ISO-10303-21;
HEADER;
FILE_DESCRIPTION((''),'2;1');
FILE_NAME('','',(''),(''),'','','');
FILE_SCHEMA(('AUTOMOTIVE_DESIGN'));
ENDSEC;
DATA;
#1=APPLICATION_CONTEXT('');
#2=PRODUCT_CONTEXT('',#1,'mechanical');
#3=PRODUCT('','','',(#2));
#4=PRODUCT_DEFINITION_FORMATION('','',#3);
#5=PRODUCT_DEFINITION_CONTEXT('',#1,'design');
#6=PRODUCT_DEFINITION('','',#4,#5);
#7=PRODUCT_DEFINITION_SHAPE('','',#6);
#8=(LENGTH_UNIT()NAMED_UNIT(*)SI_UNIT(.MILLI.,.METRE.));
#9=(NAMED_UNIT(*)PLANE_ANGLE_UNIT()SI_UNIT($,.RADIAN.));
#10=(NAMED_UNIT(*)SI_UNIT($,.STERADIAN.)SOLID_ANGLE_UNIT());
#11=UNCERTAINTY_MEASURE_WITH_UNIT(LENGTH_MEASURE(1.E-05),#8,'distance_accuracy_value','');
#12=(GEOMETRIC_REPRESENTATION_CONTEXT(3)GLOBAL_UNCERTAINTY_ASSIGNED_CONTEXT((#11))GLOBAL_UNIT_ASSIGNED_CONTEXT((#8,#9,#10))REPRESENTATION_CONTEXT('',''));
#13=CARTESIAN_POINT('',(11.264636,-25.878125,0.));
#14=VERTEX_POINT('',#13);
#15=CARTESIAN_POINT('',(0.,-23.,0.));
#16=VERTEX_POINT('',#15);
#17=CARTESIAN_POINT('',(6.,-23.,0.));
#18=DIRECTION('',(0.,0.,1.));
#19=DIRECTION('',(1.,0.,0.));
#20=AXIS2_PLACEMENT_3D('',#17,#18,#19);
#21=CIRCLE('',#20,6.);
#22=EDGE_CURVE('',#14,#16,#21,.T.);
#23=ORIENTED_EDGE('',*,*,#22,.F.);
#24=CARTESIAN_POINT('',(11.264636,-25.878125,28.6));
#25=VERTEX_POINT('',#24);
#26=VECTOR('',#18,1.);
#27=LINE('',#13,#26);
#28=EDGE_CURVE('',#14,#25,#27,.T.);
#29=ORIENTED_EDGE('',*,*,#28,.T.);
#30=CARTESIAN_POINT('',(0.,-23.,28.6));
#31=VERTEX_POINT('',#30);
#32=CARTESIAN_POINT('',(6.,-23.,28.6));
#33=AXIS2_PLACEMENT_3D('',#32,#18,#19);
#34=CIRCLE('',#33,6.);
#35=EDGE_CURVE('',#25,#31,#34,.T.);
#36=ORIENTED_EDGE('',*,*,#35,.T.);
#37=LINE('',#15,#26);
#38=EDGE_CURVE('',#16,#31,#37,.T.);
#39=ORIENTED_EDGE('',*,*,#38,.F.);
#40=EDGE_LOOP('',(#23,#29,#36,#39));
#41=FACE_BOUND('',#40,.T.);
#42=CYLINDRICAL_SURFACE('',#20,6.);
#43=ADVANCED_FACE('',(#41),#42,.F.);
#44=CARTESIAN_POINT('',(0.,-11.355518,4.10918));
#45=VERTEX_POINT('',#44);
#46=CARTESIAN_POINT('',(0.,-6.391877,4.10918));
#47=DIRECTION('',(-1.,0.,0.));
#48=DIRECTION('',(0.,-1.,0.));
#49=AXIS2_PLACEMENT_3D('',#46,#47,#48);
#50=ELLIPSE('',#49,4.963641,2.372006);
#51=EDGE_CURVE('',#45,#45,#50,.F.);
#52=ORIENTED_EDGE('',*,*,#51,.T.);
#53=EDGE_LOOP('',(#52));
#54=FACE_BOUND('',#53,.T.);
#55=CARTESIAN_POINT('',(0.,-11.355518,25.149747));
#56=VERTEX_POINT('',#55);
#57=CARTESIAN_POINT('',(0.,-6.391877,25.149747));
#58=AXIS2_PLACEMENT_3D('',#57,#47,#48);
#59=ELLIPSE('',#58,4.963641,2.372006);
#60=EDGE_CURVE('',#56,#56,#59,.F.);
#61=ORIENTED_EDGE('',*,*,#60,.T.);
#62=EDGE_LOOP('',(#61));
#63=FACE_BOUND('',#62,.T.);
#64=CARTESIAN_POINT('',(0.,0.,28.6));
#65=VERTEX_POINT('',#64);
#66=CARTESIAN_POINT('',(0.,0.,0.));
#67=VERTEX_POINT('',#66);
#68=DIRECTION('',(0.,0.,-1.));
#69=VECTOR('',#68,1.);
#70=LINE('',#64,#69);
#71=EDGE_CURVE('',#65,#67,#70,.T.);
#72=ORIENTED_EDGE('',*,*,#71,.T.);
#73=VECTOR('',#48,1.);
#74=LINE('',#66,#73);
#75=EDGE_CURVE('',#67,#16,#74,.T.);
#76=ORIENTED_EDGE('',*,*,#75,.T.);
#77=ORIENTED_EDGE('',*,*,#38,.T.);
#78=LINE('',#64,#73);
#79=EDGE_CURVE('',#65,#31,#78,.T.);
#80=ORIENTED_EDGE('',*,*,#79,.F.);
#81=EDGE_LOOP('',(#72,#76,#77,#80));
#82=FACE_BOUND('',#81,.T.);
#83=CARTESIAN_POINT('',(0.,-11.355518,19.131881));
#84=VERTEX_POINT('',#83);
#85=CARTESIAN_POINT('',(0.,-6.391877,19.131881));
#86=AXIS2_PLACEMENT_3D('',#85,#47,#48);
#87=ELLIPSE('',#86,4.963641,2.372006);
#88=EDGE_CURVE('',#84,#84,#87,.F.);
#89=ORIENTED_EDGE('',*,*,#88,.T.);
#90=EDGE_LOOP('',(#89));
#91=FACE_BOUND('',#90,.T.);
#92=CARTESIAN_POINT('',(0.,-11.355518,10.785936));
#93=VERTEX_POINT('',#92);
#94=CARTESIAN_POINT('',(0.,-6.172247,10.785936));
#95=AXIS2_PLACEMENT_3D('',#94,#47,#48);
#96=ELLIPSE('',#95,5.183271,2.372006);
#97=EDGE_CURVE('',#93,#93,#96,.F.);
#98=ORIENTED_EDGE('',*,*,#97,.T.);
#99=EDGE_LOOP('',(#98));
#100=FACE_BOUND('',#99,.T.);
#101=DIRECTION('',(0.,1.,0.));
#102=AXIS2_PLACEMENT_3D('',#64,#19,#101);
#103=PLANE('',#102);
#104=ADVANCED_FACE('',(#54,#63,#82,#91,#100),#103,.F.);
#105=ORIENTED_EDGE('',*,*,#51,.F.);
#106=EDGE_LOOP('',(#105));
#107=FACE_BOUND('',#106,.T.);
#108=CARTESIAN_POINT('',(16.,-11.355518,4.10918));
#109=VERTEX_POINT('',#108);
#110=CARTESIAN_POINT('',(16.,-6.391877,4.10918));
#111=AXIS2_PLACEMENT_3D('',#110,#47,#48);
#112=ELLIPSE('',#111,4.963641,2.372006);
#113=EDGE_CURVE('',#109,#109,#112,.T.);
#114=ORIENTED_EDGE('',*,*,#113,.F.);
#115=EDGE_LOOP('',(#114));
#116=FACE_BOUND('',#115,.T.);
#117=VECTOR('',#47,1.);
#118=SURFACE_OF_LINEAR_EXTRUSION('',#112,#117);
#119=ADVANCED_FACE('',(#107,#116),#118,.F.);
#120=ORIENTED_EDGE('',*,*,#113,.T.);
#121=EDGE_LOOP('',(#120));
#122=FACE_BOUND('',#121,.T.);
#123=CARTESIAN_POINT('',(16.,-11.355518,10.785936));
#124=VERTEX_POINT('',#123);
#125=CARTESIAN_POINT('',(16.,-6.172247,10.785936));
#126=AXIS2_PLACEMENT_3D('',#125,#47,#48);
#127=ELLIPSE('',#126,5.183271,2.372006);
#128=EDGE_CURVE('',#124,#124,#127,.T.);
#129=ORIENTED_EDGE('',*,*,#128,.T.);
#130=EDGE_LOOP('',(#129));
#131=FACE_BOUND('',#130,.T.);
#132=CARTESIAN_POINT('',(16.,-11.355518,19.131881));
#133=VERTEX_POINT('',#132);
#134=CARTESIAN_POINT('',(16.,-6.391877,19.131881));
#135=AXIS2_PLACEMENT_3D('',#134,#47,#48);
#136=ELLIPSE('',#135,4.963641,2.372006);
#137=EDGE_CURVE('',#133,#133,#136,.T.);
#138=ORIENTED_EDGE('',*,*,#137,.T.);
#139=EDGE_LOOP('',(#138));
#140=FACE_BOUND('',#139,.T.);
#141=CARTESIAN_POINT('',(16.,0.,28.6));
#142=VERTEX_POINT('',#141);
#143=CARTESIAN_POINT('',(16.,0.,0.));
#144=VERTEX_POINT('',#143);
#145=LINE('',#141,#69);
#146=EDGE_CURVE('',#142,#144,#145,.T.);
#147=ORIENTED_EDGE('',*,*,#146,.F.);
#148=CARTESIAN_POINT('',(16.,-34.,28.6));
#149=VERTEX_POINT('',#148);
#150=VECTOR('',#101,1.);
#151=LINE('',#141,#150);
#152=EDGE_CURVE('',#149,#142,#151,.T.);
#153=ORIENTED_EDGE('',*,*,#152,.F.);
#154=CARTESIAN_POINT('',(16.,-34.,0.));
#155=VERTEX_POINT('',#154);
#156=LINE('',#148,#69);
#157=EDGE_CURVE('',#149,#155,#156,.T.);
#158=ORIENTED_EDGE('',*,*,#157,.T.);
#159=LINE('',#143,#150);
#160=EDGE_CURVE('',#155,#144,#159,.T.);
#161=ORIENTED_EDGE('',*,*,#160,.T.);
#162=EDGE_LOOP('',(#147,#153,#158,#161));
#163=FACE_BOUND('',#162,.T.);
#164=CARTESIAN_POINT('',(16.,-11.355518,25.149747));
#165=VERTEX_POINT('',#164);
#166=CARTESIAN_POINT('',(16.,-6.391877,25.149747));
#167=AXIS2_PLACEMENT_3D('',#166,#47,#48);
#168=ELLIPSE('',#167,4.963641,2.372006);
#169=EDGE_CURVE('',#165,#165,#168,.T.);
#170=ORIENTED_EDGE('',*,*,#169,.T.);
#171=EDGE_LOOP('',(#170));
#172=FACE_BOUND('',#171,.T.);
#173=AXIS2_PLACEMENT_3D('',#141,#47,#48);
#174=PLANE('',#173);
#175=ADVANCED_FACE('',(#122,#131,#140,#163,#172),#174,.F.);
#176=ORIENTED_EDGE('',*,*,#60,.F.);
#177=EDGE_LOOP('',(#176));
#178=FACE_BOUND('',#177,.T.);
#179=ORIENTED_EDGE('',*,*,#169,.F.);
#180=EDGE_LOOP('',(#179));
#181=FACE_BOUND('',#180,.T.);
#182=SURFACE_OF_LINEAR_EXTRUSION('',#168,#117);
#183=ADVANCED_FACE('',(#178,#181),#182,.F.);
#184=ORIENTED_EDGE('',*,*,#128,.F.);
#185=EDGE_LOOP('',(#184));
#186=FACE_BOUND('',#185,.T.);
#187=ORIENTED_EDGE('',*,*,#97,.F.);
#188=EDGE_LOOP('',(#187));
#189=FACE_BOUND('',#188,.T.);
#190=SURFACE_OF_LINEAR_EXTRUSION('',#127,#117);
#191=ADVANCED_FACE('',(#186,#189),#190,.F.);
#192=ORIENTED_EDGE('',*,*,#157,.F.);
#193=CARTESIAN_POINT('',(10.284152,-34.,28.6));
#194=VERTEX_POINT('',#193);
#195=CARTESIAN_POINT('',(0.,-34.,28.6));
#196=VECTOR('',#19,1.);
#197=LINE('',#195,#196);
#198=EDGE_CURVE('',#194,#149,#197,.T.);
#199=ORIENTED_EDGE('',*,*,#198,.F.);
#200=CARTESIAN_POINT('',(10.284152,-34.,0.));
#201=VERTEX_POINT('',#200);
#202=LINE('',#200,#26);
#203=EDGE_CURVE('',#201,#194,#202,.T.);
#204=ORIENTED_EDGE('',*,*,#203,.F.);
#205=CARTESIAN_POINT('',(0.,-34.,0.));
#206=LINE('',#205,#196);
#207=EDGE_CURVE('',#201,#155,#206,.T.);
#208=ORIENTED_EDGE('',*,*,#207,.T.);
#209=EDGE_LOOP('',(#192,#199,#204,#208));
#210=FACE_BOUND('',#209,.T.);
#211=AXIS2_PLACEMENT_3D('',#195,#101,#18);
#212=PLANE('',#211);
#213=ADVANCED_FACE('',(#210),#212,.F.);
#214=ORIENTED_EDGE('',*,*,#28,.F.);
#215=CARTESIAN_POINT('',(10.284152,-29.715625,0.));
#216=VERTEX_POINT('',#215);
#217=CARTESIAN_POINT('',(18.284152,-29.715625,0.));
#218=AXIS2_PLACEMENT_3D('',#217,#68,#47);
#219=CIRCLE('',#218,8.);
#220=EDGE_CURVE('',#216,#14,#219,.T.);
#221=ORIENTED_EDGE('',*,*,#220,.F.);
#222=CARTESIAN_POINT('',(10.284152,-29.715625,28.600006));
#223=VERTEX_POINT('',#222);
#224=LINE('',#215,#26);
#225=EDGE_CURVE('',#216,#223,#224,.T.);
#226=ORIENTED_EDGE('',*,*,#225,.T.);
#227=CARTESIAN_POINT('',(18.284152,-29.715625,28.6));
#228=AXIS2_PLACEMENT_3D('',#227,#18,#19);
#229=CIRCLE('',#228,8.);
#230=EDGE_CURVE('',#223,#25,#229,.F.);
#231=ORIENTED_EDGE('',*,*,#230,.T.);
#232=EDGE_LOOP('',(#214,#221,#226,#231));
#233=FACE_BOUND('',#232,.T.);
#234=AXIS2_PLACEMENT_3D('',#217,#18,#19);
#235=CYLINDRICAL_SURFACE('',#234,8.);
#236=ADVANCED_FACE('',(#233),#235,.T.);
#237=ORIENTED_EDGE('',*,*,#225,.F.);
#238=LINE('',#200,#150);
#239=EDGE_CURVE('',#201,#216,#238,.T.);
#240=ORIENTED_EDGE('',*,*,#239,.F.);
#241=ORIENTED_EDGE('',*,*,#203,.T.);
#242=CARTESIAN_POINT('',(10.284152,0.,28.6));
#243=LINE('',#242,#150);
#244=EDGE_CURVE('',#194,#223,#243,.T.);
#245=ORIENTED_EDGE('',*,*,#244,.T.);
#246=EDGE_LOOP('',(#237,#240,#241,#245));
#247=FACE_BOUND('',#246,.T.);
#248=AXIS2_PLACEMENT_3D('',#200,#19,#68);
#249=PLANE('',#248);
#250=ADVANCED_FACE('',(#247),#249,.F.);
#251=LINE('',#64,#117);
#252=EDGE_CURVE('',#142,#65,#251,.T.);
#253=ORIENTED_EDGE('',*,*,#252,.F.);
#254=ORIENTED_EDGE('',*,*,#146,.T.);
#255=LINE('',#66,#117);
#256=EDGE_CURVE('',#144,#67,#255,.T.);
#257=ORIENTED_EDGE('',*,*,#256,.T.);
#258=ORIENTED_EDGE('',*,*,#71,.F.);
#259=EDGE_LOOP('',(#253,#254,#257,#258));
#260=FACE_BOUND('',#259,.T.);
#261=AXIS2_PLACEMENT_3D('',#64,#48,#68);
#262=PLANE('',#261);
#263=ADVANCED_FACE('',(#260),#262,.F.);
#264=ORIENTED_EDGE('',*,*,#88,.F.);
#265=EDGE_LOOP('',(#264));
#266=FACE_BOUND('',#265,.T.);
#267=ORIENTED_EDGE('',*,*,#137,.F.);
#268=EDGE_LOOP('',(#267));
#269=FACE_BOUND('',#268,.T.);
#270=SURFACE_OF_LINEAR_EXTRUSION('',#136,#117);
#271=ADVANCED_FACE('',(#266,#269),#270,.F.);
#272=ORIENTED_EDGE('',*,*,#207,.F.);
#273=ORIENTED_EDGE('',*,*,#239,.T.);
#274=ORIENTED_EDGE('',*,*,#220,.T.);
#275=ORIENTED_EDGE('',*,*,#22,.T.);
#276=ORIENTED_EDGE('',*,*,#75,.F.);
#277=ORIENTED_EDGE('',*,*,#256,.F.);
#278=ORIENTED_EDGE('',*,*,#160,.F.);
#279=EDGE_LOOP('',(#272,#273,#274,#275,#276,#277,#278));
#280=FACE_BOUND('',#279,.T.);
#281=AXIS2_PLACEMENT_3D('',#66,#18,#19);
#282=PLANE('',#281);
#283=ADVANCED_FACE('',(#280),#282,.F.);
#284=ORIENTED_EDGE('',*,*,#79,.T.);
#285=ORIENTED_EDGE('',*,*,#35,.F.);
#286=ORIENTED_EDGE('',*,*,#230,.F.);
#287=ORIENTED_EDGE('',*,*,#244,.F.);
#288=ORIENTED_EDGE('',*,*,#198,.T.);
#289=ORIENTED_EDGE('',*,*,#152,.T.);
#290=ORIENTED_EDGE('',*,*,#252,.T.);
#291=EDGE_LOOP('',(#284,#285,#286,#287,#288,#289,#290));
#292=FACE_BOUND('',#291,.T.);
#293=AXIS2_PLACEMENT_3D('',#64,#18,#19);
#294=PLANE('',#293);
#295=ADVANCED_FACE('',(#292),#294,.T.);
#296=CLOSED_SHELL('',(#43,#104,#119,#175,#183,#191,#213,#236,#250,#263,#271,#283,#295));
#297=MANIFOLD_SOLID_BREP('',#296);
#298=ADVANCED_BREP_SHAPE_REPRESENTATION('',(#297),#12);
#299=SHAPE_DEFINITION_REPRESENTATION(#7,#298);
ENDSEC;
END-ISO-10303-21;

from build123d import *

# Parameters (mm, degrees)
SKETCH_1_W               = 16
SKETCH_1_H               = 34
EXTRUDE_1_DEPTH          = 28.6
CUT_EXTRUDE_3_DEPTH      = 48.222452287
CUT_EXTRUDE_3_DEPTH_BACK = 48.222452287
SKETCH_5_W               = 28.6
SKETCH_5_H               = 11
CUT_EXTRUDE_4_DEPTH      = 2
CUT_EXTRUDE_5_DEPTH      = 48.222452287
CUT_EXTRUDE_5_DEPTH_BACK = 48.222452287
SKETCH_9_RX              = 4.963641166
SKETCH_9_RY              = 2.372005513
CUT_EXTRUDE_6_DEPTH      = 48.222452453
CUT_EXTRUDE_6_DEPTH_BACK = 48.222452453
SKETCH_9_3_RX            = 4.963641166
SKETCH_9_3_RY            = 2.372005513
SKETCH_9_3_RX_2          = 5.183271306


with BuildPart() as part:
    # 草图1 → 凸台-拉伸1 (new body)
    with BuildSketch(Plane.XY):
        with Locations((8, -17)):
            Rectangle(SKETCH_1_W, SKETCH_1_H)
    extrude(amount=EXTRUDE_1_DEPTH)

    # 草图2 → 切除-拉伸3 (cut, two sides: drawn at the far end of the back side and taken through both)
    with BuildSketch(Plane.XY.offset(28.6).offset(-CUT_EXTRUDE_3_DEPTH_BACK)):
        with BuildLine():
            Line((10.284151777, -34), (10.284151777, -29.7156247))
            ThreePointArc((10.284151777, -29.7156247), (10.533147893, -27.735236154), (11.264636476, -25.878124872))
            ThreePointArc((11.264636476, -25.878124872), (7.278286447, -17.137749258), (0.015079207, -23.4251154))
            Line((0.015079207, -23.4251154), (0, -34))
            Line((0, -34), (10.284151777, -34))
        make_face()
    extrude(amount=CUT_EXTRUDE_3_DEPTH + CUT_EXTRUDE_3_DEPTH_BACK, mode=Mode.SUBTRACT)


with BuildPart() as cut_extrude_3_piece_1:
    # of the separate pieces the step leaves, piece 1, a body of its own (cut_extrude_3_pieces)
    add(part.part.solids().sort_by_distance((0, 0, 0))[0])

    # 草图9 → 切除-拉伸5 (cut, two sides: drawn at the far end of the back side and taken through both)
    with BuildSketch(Plane.ZY.offset(-CUT_EXTRUDE_5_DEPTH_BACK)):
        with Locations(Location((4.109179501, -6.391876735), (0, 0, -90))):
            Ellipse(SKETCH_9_RX, SKETCH_9_RY)
    extrude(amount=CUT_EXTRUDE_5_DEPTH + CUT_EXTRUDE_5_DEPTH_BACK, mode=Mode.SUBTRACT)

    # 草图9<3> → 切除-拉伸6 (cut, two sides: drawn at the far end of the back side and taken through both)
    with BuildSketch(Plane.ZY.offset(-CUT_EXTRUDE_6_DEPTH_BACK)):
        with Locations(Location((4.109179501, -6.391876735), (0, 0, -90))):
            Ellipse(SKETCH_9_3_RX, SKETCH_9_3_RY)
        with Locations(Location((10.785935759, -6.172246595), (0, 0, 90))):
            Ellipse(SKETCH_9_3_RX_2, SKETCH_9_3_RY)
        with Locations(Location((19.131881081, -6.391876735), (0, 0, -90))):
            Ellipse(SKETCH_9_3_RX, SKETCH_9_3_RY)
        with Locations(Location((25.149746919, -6.391876735), (0, 0, -90))):
            Ellipse(SKETCH_9_3_RX, SKETCH_9_3_RY)
    extrude(amount=CUT_EXTRUDE_6_DEPTH + CUT_EXTRUDE_6_DEPTH_BACK, mode=Mode.SUBTRACT)


with BuildPart() as cut_extrude_3_piece_2:
    # of the separate pieces the step leaves, piece 2, a body of its own (cut_extrude_3_pieces)
    add(part.part.solids().sort_by_distance((0, -34, 0))[0])

    # 草图5 → 切除-拉伸4 (cut)
    with BuildSketch(Plane.ZY):
        with Locations((14.3, -28.5)):
            Rectangle(SKETCH_5_W, SKETCH_5_H)
    extrude(amount=-CUT_EXTRUDE_4_DEPTH, mode=Mode.SUBTRACT)


solid = cut_extrude_3_piece_1.part
